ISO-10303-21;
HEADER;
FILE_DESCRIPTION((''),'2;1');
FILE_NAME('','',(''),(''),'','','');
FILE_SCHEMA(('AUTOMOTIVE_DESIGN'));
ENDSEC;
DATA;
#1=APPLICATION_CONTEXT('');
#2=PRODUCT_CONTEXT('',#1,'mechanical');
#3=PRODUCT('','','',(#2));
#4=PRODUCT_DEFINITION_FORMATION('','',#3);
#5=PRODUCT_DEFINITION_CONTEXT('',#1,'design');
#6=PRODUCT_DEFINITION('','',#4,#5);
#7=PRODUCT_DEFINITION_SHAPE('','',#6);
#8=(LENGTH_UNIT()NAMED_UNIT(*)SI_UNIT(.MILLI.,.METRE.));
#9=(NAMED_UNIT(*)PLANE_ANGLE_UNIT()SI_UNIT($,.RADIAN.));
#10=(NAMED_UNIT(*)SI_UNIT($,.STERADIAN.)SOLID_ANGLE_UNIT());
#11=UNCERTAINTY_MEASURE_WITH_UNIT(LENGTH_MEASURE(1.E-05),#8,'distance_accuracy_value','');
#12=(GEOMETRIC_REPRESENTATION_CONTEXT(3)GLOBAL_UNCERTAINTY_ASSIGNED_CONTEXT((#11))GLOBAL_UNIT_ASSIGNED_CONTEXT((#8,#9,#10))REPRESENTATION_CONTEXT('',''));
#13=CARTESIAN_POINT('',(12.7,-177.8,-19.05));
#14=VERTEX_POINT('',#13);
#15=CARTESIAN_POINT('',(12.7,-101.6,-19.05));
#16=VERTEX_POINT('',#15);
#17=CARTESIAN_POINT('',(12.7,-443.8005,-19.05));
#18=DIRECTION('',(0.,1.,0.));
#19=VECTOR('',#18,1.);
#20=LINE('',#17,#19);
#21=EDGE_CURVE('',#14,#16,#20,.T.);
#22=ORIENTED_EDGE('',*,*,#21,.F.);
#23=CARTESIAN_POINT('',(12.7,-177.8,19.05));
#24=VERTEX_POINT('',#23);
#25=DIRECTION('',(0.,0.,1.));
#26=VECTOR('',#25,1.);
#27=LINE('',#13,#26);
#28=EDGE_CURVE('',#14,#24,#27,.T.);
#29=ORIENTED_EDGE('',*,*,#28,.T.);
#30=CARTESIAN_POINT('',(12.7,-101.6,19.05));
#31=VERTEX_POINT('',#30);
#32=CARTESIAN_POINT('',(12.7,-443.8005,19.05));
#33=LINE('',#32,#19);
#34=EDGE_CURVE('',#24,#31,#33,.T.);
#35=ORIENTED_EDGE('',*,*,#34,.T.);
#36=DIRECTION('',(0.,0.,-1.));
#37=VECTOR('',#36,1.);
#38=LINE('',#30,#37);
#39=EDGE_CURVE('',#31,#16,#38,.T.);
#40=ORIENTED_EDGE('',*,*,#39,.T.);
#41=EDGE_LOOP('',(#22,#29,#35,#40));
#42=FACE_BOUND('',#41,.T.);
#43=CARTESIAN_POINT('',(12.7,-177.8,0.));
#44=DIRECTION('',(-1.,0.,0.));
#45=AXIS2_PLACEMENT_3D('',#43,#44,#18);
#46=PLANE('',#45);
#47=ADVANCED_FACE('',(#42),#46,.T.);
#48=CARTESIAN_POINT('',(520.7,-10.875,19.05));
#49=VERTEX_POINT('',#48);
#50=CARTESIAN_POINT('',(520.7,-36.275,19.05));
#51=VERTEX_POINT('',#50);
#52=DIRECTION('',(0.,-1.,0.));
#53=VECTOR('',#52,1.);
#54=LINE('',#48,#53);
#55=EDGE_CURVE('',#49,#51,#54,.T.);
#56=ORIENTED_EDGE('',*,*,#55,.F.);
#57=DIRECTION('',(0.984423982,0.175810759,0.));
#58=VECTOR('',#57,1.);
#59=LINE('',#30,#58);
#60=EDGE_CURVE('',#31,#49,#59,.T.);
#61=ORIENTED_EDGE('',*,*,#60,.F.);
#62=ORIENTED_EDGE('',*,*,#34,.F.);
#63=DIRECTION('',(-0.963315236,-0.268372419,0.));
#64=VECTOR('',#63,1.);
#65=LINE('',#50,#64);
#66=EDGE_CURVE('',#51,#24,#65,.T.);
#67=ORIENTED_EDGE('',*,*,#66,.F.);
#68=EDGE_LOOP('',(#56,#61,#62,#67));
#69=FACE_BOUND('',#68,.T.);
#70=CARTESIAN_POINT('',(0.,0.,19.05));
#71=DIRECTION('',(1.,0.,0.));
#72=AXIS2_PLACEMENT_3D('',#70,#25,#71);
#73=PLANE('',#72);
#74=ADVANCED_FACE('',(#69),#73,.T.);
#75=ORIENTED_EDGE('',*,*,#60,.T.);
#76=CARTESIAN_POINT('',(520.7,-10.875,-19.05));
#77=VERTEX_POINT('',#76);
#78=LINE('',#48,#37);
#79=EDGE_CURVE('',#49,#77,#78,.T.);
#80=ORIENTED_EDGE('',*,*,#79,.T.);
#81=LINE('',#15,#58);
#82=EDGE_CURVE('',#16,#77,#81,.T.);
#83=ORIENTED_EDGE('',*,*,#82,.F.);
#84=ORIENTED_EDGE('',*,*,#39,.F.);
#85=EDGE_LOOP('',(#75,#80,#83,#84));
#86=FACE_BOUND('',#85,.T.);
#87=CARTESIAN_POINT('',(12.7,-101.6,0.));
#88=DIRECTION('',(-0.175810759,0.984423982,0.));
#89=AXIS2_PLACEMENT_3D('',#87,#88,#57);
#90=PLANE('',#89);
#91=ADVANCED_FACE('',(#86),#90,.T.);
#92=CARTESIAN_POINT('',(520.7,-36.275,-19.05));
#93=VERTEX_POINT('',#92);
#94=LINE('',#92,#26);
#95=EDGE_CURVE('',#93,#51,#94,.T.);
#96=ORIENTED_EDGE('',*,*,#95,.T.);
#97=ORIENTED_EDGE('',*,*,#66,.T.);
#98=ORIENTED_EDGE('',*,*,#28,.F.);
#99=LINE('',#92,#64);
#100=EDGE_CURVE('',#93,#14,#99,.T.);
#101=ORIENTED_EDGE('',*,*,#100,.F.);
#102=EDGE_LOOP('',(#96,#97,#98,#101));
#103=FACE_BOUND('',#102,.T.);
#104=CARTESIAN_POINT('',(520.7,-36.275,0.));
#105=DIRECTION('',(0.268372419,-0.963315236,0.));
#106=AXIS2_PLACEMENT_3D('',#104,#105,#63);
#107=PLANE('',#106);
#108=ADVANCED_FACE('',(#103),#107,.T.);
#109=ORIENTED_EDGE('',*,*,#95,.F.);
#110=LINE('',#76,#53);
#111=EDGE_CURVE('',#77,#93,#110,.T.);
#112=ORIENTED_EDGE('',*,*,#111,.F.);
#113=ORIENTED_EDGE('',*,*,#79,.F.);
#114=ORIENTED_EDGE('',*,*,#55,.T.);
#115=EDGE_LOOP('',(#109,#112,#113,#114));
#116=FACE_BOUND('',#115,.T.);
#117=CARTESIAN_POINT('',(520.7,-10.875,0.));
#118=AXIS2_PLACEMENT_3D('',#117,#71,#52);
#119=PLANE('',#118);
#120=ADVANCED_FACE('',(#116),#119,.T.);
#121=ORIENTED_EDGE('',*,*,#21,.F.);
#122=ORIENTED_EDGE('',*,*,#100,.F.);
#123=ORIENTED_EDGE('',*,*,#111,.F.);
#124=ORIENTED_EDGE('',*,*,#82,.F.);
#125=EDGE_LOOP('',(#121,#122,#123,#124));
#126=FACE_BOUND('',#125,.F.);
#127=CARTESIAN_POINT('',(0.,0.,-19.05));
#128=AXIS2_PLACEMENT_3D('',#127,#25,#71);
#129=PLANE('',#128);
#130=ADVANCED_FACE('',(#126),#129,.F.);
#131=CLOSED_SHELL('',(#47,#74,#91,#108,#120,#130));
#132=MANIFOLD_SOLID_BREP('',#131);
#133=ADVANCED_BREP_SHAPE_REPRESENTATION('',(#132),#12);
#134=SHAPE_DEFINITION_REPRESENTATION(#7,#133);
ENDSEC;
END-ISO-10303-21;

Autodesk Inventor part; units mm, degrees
ref_plane "YZ Plane" through (0, 0, 0) normal (1, 0, 0) x (0, 1, 0)
ref_plane "XZ Plane" through (0, 0, 0) normal (0, 1, 0) x (-1, 0, 0)
ref_plane "XY Plane" through (0, 0, 0) normal (0, 0, 1) x (1, 0, 0)
sketch "Sketch1" plane through (0, 0, 0) normal (0, 0, 1) x (1, 0, 0)
  line L0 (12.7, -443.8005) -> (12.7, -36.275) projected
  line L1 (12.7, -101.6) -> (520.7, -10.875)
  line L2 (520.7, -10.875) -> (520.7, -36.275)
  line L3 (520.7, -36.275) -> (12.7, -177.8)
  line L4 (12.7, -177.8) -> (12.7, -101.6)
  point P0 (0, 0)
  dimension "d0" = 508
  dimension "d1" = 25.4
  dimension "d2" = 76.2
  dimension "d3" = 101.6
extrude "Extrusion1" add sketch "Sketch1" along normal mid plane 38.1
properties part number "Leg"
